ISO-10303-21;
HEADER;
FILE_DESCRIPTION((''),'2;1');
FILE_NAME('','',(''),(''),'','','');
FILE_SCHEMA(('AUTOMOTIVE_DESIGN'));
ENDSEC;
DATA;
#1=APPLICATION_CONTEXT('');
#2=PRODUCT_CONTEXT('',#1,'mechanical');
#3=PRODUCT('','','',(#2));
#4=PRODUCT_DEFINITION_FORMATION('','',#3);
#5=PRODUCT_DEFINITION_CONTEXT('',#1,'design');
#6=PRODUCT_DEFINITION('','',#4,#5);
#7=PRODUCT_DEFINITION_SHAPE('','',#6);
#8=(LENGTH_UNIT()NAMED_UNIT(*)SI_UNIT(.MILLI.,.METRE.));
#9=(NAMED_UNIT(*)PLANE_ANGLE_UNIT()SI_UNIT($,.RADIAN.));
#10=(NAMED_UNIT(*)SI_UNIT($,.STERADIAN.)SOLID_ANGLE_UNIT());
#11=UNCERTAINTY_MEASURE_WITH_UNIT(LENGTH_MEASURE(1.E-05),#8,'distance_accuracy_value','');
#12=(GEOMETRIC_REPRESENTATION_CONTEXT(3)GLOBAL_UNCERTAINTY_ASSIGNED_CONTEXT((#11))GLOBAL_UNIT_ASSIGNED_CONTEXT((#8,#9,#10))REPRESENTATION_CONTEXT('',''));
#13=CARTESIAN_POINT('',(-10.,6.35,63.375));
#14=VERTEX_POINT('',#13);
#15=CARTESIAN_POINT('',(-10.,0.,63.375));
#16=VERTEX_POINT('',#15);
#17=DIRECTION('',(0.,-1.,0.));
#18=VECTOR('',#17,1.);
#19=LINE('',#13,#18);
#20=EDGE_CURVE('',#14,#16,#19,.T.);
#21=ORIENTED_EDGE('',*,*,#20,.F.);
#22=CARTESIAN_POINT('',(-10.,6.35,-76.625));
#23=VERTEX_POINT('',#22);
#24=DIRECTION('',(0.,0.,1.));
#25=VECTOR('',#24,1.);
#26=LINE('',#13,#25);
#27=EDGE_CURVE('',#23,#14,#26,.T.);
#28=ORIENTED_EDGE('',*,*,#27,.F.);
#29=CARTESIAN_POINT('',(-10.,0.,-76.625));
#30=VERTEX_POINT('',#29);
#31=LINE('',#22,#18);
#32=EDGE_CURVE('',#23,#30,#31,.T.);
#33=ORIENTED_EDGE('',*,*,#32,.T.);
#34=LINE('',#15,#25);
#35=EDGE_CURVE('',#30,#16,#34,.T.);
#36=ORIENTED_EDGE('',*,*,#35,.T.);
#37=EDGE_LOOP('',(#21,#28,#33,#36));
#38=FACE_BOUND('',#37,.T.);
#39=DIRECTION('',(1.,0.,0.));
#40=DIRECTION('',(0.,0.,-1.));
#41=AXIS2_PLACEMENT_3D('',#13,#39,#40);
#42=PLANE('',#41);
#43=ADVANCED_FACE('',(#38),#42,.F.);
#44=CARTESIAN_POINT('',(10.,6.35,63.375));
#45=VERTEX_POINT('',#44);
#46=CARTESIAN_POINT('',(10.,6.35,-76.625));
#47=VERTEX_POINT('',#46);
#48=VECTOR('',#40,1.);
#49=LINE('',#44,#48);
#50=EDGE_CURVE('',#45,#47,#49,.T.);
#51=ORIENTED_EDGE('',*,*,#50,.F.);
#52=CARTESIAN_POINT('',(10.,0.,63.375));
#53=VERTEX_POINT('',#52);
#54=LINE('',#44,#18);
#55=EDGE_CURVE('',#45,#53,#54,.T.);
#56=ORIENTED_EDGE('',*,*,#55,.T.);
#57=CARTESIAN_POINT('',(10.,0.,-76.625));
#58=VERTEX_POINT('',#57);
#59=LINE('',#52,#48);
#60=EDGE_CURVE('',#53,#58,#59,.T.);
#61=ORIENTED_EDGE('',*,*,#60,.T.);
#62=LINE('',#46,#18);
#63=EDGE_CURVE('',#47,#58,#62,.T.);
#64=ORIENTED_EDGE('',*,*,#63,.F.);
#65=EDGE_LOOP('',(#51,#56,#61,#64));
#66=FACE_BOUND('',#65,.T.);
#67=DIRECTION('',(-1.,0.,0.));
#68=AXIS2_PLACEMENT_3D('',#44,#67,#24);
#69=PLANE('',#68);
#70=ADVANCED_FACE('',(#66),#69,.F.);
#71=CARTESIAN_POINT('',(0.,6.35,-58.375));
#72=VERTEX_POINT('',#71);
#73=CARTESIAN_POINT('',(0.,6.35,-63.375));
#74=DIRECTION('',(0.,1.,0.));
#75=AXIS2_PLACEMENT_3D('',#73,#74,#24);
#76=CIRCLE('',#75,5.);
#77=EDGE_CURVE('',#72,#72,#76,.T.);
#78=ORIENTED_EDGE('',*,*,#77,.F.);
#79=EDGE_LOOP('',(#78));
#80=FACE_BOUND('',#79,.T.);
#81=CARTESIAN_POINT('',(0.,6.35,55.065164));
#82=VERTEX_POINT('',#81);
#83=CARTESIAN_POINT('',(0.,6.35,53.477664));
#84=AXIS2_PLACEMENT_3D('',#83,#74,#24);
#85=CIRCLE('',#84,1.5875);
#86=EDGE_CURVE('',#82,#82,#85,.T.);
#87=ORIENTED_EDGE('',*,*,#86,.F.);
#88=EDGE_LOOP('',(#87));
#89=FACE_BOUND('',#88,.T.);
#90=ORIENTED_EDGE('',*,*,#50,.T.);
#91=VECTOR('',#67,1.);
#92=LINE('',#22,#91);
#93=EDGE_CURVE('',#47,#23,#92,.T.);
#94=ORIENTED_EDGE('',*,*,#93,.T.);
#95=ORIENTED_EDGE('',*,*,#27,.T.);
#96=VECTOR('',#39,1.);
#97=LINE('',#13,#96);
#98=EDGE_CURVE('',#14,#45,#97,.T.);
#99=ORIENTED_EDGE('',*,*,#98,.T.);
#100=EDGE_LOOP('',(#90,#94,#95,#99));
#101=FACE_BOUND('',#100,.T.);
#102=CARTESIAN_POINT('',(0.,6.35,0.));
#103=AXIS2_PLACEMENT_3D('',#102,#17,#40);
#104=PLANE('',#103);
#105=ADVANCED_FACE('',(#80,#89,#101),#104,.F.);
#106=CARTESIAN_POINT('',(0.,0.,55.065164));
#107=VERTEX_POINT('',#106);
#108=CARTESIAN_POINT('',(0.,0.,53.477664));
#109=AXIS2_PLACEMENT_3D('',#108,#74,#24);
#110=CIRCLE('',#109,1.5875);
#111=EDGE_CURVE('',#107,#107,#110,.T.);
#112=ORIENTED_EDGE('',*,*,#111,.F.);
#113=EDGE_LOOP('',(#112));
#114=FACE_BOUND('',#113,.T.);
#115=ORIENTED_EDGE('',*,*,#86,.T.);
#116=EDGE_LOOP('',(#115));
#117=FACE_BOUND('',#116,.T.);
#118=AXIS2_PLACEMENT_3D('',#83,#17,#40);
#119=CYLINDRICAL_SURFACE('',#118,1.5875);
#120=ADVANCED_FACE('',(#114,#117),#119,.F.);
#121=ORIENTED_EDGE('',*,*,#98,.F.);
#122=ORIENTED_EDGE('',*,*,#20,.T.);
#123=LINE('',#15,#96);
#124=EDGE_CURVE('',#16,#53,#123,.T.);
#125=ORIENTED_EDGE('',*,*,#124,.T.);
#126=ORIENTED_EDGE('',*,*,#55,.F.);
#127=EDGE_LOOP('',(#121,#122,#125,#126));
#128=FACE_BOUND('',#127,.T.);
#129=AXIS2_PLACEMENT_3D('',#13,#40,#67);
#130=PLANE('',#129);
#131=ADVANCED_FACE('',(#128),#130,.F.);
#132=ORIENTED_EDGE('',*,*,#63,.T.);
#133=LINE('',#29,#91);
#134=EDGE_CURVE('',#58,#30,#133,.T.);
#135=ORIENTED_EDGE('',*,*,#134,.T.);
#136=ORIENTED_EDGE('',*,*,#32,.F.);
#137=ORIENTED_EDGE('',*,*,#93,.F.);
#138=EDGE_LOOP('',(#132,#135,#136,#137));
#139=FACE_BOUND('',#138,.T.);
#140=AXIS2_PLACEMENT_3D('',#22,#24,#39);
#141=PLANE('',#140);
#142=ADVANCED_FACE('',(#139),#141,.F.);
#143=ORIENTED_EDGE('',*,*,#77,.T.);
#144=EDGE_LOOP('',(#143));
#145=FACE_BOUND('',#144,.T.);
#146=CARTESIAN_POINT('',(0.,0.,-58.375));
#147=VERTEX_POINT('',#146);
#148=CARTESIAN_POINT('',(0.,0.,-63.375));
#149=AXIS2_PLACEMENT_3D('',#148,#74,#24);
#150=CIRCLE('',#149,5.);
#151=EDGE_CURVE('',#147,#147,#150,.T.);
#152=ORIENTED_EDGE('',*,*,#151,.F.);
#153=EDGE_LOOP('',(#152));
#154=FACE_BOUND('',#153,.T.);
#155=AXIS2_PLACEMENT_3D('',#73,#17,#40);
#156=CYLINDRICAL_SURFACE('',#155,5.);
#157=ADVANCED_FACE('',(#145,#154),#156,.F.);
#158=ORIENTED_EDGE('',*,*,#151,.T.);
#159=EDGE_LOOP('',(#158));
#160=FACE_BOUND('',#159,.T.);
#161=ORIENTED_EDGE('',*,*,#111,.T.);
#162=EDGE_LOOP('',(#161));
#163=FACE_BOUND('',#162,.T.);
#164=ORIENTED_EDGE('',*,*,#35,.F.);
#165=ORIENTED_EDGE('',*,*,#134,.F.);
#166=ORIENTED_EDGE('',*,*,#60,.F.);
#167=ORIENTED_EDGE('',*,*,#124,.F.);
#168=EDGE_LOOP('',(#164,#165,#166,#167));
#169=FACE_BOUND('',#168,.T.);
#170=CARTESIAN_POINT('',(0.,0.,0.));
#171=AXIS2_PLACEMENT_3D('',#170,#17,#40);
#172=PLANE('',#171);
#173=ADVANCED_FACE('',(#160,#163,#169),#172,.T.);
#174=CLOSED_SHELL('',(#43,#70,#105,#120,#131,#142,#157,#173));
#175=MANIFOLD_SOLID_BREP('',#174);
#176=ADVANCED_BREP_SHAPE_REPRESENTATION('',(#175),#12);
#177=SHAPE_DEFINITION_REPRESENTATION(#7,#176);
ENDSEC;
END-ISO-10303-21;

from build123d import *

# Parameters (mm, degrees)
SKETCH1_W           = 20
SKETCH1_H           = 140
SKETCH1_R           = 5
SKETCH1_R_2         = 1.5875
BOSS_EXTRUDE1_DEPTH = 6.35


with BuildPart() as part:
    # Sketch1 → Boss-Extrude1 (new body)
    with BuildSketch(Plane(origin=(0, 0, 0), x_dir=(1, 0, 0), z_dir=(0, 1, 0))):
        with Locations((0, 6.625)):
            Rectangle(SKETCH1_W, SKETCH1_H)
        with Locations((0, 63.375)):
            Circle(SKETCH1_R, mode=Mode.SUBTRACT)
        with Locations((0, -53.477664451)):
            Circle(SKETCH1_R_2, mode=Mode.SUBTRACT)
    extrude(amount=BOSS_EXTRUDE1_DEPTH)


solid = part.part
